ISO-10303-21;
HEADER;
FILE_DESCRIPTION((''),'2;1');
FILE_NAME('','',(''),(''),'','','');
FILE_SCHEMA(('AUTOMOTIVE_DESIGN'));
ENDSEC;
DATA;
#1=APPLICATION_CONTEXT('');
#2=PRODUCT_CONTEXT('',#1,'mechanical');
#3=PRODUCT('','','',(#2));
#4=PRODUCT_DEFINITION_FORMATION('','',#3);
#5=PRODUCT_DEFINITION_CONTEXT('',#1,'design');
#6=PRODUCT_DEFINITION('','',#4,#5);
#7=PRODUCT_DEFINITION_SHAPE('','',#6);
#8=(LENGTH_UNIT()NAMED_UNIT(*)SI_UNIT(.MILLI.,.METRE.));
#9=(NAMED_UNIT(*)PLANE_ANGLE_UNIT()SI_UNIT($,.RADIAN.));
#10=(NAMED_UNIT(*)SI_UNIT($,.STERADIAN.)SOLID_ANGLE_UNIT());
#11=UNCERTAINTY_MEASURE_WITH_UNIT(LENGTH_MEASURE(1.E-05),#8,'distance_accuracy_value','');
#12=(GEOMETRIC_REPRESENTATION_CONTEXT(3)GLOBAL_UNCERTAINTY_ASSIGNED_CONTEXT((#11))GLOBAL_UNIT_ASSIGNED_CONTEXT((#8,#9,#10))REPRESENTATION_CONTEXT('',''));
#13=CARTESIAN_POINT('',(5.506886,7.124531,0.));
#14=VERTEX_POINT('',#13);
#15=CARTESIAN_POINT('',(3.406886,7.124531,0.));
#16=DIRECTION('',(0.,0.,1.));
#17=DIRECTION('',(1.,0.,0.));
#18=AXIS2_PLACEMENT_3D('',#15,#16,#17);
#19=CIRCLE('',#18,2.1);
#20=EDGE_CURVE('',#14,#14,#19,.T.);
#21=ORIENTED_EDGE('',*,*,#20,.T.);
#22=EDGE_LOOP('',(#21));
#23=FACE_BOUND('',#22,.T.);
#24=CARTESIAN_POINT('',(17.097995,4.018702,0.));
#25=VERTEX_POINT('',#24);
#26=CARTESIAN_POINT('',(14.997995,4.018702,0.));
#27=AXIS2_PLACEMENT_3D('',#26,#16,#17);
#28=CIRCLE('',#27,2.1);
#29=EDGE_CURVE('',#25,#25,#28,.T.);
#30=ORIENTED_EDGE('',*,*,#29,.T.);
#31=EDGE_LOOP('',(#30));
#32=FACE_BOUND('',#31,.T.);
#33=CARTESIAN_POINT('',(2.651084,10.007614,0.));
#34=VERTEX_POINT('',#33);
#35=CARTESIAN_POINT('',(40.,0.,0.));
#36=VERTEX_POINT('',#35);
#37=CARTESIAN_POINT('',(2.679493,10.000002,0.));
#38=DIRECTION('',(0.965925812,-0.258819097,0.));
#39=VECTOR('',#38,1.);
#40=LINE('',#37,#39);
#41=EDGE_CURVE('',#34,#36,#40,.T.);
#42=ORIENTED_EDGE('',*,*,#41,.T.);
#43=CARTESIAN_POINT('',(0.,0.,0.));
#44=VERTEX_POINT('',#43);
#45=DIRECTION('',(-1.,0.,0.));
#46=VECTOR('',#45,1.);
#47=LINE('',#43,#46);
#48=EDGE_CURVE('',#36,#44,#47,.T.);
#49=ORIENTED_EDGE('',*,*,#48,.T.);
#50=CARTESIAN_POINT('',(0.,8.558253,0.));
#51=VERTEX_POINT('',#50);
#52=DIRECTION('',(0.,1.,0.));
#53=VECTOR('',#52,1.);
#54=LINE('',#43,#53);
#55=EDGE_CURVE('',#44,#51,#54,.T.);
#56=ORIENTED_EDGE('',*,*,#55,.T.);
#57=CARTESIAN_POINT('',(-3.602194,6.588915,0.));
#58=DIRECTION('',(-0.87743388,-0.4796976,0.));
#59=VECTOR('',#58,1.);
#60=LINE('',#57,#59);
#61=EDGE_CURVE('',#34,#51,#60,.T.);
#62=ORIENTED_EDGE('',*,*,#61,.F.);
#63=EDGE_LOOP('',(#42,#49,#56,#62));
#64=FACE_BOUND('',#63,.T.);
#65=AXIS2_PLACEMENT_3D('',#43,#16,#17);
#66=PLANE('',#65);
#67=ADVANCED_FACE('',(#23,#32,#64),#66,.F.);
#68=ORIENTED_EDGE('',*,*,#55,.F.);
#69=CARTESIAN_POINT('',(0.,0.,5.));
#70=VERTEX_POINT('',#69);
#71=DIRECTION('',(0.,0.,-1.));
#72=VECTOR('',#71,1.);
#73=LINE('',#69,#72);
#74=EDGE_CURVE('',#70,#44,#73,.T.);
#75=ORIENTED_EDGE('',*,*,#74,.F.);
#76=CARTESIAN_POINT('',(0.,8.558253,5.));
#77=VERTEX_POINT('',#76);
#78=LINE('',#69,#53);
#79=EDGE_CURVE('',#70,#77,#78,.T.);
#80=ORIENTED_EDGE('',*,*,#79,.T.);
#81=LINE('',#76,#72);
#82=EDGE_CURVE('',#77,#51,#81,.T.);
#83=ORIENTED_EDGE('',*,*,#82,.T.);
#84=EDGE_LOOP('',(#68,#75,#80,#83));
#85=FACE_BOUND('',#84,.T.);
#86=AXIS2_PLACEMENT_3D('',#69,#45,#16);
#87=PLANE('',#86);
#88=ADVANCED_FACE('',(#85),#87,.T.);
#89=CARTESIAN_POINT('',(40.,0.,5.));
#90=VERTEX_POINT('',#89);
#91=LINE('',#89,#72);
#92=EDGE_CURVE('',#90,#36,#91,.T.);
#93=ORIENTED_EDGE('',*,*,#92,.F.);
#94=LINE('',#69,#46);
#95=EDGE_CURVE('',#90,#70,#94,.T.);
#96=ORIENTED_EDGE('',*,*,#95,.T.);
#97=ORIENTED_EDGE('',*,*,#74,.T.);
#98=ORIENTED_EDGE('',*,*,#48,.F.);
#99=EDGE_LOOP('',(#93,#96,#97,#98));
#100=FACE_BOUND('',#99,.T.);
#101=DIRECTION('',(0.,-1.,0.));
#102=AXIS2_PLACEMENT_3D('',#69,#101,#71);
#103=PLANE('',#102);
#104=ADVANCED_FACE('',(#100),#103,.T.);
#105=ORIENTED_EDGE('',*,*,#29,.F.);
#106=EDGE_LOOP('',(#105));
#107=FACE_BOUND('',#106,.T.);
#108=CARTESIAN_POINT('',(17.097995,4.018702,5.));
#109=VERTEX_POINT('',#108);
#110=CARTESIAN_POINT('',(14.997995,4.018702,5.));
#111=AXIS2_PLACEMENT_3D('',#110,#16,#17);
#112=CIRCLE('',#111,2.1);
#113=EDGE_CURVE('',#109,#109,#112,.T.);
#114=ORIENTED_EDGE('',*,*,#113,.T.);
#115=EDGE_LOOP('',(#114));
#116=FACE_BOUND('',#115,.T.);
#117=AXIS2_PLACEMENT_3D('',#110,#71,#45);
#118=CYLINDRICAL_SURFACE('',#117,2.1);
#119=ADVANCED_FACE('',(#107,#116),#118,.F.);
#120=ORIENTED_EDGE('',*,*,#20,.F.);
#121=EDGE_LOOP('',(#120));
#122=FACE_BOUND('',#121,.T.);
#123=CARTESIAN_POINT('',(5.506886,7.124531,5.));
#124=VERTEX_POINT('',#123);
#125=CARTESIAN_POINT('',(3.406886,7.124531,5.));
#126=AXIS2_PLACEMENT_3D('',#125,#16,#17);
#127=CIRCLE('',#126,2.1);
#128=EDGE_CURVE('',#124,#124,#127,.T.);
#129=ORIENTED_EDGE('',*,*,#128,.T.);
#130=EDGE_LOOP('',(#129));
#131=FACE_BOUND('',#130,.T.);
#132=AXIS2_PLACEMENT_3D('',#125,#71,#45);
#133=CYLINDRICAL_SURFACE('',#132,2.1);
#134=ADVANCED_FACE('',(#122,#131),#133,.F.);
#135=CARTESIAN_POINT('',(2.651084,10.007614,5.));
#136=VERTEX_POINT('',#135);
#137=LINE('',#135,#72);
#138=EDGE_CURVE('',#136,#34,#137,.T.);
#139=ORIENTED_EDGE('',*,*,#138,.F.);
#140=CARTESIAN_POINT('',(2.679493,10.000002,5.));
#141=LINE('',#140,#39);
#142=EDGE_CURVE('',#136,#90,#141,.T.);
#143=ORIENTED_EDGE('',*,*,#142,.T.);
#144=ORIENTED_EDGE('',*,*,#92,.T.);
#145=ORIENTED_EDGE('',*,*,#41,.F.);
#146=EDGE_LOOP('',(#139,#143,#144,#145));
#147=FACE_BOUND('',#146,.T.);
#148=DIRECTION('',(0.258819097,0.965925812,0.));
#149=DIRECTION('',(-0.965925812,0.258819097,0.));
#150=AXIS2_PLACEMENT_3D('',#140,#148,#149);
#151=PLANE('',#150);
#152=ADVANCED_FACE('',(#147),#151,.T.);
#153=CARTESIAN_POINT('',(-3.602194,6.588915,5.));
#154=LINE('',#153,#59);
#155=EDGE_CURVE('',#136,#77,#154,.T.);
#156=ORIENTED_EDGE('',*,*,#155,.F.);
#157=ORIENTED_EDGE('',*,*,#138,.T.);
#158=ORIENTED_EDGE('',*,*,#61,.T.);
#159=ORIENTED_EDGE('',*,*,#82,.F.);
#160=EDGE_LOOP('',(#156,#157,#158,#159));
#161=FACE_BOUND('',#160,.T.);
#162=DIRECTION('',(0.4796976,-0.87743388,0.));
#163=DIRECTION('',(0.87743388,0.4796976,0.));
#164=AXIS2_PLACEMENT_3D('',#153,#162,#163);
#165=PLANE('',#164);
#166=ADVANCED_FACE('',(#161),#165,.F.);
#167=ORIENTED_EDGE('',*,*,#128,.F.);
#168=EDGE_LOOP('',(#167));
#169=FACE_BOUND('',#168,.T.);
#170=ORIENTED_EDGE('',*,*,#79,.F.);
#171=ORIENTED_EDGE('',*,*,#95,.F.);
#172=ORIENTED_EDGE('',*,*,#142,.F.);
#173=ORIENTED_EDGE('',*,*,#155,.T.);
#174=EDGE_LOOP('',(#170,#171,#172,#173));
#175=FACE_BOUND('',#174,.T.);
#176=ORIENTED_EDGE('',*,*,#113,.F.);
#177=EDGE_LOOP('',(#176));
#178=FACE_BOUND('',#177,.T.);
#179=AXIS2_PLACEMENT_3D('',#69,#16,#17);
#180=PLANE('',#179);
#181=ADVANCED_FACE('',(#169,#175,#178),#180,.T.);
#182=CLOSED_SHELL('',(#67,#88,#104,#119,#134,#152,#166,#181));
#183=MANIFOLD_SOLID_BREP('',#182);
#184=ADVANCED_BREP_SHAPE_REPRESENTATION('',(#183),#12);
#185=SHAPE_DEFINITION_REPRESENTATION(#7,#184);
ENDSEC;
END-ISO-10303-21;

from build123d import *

# Parameters (mm, degrees)
SKETCH_8_R      = 2.1
EXTRUDE_6_DEPTH = 5


with BuildPart() as part:
    # 草图8 → 凸台-拉伸6 (new body)
    with BuildSketch(Plane.XY):
        Polygon((0, 0), (40, 0), (2.651084003, 10.00761403), (0, 8.558252816), align=None)
        with Locations((3.406885567, 7.12453076)):
            Circle(SKETCH_8_R, mode=Mode.SUBTRACT)
        with Locations((14.997995315, 4.018701596)):
            Circle(SKETCH_8_R, mode=Mode.SUBTRACT)
    extrude(amount=EXTRUDE_6_DEPTH)


solid = part.part
